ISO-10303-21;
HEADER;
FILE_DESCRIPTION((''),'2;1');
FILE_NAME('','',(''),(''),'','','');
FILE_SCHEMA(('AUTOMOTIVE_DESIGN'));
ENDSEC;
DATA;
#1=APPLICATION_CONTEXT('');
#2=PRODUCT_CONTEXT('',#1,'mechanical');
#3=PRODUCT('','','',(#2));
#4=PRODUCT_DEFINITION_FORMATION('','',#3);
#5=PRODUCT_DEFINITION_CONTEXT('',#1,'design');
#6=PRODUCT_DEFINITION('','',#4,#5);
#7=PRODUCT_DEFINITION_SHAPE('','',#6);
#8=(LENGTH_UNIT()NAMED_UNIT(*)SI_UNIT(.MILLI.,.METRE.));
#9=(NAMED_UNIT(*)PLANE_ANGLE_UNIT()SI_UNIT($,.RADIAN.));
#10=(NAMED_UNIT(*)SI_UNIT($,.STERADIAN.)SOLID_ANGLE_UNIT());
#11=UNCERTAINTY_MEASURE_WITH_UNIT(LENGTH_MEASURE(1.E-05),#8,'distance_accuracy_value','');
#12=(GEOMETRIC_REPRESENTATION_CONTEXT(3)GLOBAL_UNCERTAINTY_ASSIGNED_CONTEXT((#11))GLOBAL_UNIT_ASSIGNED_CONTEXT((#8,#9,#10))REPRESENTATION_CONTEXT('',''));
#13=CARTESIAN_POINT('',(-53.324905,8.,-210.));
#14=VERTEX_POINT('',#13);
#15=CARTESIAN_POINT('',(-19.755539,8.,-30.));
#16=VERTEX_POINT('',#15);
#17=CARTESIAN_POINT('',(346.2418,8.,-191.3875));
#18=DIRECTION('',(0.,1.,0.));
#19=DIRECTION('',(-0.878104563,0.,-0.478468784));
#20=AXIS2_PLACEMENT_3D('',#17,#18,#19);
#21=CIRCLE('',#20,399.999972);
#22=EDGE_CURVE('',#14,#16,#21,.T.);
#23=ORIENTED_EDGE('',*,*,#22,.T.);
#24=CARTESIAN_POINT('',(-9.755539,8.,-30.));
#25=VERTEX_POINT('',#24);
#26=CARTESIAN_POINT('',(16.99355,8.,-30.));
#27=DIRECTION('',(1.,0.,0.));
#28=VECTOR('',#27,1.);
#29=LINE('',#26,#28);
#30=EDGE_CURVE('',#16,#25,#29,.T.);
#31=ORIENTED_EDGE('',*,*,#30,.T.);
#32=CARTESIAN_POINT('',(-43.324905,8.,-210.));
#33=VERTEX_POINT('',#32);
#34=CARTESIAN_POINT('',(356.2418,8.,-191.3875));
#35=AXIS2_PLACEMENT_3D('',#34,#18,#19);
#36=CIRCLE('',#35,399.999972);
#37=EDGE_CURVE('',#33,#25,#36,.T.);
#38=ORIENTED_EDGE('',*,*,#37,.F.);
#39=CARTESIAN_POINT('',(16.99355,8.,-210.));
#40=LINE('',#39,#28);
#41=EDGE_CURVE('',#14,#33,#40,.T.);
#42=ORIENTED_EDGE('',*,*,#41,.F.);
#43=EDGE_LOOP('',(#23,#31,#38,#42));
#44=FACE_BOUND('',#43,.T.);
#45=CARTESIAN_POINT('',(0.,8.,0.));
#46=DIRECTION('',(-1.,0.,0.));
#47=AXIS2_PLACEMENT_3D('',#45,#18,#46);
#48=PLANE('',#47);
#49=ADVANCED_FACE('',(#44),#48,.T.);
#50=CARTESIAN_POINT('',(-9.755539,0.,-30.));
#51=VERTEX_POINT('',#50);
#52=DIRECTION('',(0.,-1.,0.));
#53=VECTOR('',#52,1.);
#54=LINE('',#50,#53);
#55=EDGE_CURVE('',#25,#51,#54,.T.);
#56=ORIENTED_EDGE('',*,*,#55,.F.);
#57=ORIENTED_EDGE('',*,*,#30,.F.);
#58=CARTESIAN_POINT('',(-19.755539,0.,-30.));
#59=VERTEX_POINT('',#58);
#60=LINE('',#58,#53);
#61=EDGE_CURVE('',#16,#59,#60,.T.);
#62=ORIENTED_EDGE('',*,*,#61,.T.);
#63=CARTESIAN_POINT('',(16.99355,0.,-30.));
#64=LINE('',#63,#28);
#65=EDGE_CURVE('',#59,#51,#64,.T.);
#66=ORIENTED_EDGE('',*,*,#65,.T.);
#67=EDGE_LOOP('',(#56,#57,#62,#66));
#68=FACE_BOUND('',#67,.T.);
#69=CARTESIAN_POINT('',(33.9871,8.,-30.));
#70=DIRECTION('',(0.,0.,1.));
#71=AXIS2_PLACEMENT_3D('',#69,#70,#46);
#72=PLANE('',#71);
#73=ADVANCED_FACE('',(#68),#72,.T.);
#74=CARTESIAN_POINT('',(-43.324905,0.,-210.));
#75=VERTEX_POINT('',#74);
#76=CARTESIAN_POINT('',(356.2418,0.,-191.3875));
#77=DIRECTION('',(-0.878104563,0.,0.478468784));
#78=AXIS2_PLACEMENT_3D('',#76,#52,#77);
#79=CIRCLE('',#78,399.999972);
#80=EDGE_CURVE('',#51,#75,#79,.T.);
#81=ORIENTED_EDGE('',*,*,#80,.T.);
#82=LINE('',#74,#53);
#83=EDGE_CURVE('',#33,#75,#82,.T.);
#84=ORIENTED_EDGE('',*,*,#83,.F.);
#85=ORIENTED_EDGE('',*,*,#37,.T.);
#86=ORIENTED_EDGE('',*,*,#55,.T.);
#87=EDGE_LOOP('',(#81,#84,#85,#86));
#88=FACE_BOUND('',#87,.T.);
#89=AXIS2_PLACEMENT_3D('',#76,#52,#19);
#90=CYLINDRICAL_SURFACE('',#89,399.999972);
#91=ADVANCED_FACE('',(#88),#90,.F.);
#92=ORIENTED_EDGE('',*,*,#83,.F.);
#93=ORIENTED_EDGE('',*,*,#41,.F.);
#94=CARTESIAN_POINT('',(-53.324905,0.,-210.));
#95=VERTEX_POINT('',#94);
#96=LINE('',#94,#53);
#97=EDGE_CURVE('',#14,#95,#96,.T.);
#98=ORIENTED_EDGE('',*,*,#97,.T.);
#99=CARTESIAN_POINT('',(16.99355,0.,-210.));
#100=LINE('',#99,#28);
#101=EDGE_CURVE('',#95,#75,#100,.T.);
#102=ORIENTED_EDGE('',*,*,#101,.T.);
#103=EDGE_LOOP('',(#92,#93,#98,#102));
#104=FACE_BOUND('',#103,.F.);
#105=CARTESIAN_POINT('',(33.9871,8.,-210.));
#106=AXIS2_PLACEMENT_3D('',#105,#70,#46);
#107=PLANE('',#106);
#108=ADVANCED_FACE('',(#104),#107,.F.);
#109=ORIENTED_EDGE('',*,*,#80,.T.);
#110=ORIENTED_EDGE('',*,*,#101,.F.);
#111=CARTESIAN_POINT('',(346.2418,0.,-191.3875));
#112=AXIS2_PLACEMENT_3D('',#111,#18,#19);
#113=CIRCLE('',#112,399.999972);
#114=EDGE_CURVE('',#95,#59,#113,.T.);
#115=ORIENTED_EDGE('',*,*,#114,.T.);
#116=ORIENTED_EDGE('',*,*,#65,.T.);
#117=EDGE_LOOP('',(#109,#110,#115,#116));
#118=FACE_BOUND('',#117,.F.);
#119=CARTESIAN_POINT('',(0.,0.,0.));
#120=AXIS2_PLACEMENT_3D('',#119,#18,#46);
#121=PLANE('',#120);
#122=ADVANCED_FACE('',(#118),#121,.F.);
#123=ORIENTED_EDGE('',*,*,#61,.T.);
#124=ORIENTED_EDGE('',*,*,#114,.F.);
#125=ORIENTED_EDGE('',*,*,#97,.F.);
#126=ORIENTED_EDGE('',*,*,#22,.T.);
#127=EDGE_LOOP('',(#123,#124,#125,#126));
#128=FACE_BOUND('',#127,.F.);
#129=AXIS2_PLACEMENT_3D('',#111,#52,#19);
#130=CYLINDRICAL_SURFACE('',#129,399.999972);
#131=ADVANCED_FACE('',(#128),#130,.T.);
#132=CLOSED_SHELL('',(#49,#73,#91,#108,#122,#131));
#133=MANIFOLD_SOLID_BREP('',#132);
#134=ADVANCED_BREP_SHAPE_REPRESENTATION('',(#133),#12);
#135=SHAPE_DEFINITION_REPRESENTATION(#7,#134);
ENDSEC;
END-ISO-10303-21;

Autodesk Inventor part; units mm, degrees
ref_plane "YZ Plane" through (0, 0, 0) normal (1, 0, 0) x (0, 1, 0)
ref_plane "XZ Plane" through (0, 0, 0) normal (0, 1, 0) x (-1, 0, 0)
ref_plane "XY Plane" through (0, 0, 0) normal (0, 0, 1) x (1, 0, 0)
sketch "Sketch1" plane through (0, 0, 0) normal (0, 1, 0) x (-1, 0, 0)
  line L0 (0, 0) -> (0, -382.775) construction
  line L1 (-5, 0) -> (-5, -382.775)
  line L2 (5, -382.775) -> (5, 0)
  arc A0 (5, 0) -> (-5, 0) centre (0, 0) ccw
  arc A1 (-5, -382.775) -> (5, -382.775) centre (0, -382.775) ccw
  circle A2 centre (0, 0) radius 1.5
  circle A3 centre (0, -382.775) radius 1.5
  arc A4 (5, -382.775) -> (5, 0) centre (-346.2418, -191.3875) ccw
  arc A5 (-5, -382.775) -> (-5, 0) centre (-356.2418, -191.3875) ccw
  point P0 (0, -191.3875)
  dimension "d0" = 382.775
  dimension "d1" = 10
  dimension "d2" = 3
  dimension "d3" = 3
  dimension "d12" = 400
  dimension "d13" = 400
extrude "Extrusion1" add sketch "Sketch1" along normal blind 8 contours A0 L2 A5 | A5 L2 A1 | A4 L2 A5
fillet "Fillet1" radius 2 4 edges at (5, 4, -382.775) (-5, 4, -382.775) (-5, 4, 0) (5, 4, 0)
sketch "Sketch2" plane through (0, 0, 0) normal (0, -1, 0) x (1, 0, 0)
  arc A0 (-4.9846, -383.1668) -> (4.9441, -383.5202) centre (0, -382.775) ccw projected
  arc A1 (4.9441, 0.7452) -> (-4.9846, 0.3918) centre (0, 0) ccw projected
  circle A2 centre (0, -382.775) radius 1.5 projected
  circle A3 centre (0, 0) radius 1.5 projected
  arc A4 (-5.2212, -0.4065) -> (-5.2212, -382.3685) centre (346.2418, -191.3875) ccw projected
  arc A5 (4.7241, -0.5073) -> (4.7241, -382.2677) centre (356.2418, -191.3875) ccw projected
  arc A6 (4.7241, -0.5073) -> (4.9441, 0.7452) centre (2.9665, 0.4471) ccw projected
  arc A7 (-5.2212, -0.4065) -> (-4.9846, 0.3918) centre (-6.9785, 0.5485) ccw projected
  arc A8 (-4.9846, -383.1668) -> (-5.2212, -382.3685) centre (-6.9785, -383.3235) ccw projected
  arc A9 (4.9441, -383.5202) -> (4.7241, -382.2677) centre (2.9665, -383.2221) ccw projected
sketch "Sketch3" plane through (0, 8, 0) normal (0, 1, 0) x (1, 0, 0)
  line L0 (-111.727, 425.5197) -> (93.4733, 425.5197)
  line L1 (93.4733, 425.5197) -> (93.4733, -68.38)
  line L2 (93.4733, -68.38) -> (-111.727, -68.38)
  line L3 (-111.727, -68.38) -> (-111.727, 425.5197)
  line L4 (-64.7929, 400.3549) -> (33.9871, 400.3549)
  line L5 (33.9871, 400.3549) -> (33.9871, 210)
  line L6 (33.9871, 210) -> (-64.7929, 210)
  line L7 (-64.7929, 210) -> (-64.7929, 400.3549)
  line L8 (-64.7929, 210) -> (33.9871, 210)
  line L9 (33.9871, 210) -> (33.9871, 30)
  line L10 (33.9871, 30) -> (-64.7929, 30)
  line L11 (-64.7929, 30) -> (-64.7929, 210)
  point P0 (0, 0)
  dimension "d15" = 30
  dimension "d16" = 180
  dimension "d17" = 190.3549
extrude "Extrusion2" cut sketch "Sketch3" along normal mid plane 20 contours L0 L1 L2 L3 | L4 L5 L6 L7
sketch "Sketch4" plane through (0, 8, 0) normal (0, 1, 0) x (1, 0, 0)
  line L0 (-43.3249, 210) -> (-53.3249, 210) projected
  arc A0 (-43.3249, 210) -> (-9.7555, 30) centre (356.2418, 191.3875) ccw projected
  arc A1 (-53.3249, 210) -> (-19.7555, 30) centre (346.2418, 191.3875) ccw projected
  line L1 (-19.7555, 30) -> (-9.7555, 30) projected
  point P0 (0, 0)
properties part number "Part_13_p2"
